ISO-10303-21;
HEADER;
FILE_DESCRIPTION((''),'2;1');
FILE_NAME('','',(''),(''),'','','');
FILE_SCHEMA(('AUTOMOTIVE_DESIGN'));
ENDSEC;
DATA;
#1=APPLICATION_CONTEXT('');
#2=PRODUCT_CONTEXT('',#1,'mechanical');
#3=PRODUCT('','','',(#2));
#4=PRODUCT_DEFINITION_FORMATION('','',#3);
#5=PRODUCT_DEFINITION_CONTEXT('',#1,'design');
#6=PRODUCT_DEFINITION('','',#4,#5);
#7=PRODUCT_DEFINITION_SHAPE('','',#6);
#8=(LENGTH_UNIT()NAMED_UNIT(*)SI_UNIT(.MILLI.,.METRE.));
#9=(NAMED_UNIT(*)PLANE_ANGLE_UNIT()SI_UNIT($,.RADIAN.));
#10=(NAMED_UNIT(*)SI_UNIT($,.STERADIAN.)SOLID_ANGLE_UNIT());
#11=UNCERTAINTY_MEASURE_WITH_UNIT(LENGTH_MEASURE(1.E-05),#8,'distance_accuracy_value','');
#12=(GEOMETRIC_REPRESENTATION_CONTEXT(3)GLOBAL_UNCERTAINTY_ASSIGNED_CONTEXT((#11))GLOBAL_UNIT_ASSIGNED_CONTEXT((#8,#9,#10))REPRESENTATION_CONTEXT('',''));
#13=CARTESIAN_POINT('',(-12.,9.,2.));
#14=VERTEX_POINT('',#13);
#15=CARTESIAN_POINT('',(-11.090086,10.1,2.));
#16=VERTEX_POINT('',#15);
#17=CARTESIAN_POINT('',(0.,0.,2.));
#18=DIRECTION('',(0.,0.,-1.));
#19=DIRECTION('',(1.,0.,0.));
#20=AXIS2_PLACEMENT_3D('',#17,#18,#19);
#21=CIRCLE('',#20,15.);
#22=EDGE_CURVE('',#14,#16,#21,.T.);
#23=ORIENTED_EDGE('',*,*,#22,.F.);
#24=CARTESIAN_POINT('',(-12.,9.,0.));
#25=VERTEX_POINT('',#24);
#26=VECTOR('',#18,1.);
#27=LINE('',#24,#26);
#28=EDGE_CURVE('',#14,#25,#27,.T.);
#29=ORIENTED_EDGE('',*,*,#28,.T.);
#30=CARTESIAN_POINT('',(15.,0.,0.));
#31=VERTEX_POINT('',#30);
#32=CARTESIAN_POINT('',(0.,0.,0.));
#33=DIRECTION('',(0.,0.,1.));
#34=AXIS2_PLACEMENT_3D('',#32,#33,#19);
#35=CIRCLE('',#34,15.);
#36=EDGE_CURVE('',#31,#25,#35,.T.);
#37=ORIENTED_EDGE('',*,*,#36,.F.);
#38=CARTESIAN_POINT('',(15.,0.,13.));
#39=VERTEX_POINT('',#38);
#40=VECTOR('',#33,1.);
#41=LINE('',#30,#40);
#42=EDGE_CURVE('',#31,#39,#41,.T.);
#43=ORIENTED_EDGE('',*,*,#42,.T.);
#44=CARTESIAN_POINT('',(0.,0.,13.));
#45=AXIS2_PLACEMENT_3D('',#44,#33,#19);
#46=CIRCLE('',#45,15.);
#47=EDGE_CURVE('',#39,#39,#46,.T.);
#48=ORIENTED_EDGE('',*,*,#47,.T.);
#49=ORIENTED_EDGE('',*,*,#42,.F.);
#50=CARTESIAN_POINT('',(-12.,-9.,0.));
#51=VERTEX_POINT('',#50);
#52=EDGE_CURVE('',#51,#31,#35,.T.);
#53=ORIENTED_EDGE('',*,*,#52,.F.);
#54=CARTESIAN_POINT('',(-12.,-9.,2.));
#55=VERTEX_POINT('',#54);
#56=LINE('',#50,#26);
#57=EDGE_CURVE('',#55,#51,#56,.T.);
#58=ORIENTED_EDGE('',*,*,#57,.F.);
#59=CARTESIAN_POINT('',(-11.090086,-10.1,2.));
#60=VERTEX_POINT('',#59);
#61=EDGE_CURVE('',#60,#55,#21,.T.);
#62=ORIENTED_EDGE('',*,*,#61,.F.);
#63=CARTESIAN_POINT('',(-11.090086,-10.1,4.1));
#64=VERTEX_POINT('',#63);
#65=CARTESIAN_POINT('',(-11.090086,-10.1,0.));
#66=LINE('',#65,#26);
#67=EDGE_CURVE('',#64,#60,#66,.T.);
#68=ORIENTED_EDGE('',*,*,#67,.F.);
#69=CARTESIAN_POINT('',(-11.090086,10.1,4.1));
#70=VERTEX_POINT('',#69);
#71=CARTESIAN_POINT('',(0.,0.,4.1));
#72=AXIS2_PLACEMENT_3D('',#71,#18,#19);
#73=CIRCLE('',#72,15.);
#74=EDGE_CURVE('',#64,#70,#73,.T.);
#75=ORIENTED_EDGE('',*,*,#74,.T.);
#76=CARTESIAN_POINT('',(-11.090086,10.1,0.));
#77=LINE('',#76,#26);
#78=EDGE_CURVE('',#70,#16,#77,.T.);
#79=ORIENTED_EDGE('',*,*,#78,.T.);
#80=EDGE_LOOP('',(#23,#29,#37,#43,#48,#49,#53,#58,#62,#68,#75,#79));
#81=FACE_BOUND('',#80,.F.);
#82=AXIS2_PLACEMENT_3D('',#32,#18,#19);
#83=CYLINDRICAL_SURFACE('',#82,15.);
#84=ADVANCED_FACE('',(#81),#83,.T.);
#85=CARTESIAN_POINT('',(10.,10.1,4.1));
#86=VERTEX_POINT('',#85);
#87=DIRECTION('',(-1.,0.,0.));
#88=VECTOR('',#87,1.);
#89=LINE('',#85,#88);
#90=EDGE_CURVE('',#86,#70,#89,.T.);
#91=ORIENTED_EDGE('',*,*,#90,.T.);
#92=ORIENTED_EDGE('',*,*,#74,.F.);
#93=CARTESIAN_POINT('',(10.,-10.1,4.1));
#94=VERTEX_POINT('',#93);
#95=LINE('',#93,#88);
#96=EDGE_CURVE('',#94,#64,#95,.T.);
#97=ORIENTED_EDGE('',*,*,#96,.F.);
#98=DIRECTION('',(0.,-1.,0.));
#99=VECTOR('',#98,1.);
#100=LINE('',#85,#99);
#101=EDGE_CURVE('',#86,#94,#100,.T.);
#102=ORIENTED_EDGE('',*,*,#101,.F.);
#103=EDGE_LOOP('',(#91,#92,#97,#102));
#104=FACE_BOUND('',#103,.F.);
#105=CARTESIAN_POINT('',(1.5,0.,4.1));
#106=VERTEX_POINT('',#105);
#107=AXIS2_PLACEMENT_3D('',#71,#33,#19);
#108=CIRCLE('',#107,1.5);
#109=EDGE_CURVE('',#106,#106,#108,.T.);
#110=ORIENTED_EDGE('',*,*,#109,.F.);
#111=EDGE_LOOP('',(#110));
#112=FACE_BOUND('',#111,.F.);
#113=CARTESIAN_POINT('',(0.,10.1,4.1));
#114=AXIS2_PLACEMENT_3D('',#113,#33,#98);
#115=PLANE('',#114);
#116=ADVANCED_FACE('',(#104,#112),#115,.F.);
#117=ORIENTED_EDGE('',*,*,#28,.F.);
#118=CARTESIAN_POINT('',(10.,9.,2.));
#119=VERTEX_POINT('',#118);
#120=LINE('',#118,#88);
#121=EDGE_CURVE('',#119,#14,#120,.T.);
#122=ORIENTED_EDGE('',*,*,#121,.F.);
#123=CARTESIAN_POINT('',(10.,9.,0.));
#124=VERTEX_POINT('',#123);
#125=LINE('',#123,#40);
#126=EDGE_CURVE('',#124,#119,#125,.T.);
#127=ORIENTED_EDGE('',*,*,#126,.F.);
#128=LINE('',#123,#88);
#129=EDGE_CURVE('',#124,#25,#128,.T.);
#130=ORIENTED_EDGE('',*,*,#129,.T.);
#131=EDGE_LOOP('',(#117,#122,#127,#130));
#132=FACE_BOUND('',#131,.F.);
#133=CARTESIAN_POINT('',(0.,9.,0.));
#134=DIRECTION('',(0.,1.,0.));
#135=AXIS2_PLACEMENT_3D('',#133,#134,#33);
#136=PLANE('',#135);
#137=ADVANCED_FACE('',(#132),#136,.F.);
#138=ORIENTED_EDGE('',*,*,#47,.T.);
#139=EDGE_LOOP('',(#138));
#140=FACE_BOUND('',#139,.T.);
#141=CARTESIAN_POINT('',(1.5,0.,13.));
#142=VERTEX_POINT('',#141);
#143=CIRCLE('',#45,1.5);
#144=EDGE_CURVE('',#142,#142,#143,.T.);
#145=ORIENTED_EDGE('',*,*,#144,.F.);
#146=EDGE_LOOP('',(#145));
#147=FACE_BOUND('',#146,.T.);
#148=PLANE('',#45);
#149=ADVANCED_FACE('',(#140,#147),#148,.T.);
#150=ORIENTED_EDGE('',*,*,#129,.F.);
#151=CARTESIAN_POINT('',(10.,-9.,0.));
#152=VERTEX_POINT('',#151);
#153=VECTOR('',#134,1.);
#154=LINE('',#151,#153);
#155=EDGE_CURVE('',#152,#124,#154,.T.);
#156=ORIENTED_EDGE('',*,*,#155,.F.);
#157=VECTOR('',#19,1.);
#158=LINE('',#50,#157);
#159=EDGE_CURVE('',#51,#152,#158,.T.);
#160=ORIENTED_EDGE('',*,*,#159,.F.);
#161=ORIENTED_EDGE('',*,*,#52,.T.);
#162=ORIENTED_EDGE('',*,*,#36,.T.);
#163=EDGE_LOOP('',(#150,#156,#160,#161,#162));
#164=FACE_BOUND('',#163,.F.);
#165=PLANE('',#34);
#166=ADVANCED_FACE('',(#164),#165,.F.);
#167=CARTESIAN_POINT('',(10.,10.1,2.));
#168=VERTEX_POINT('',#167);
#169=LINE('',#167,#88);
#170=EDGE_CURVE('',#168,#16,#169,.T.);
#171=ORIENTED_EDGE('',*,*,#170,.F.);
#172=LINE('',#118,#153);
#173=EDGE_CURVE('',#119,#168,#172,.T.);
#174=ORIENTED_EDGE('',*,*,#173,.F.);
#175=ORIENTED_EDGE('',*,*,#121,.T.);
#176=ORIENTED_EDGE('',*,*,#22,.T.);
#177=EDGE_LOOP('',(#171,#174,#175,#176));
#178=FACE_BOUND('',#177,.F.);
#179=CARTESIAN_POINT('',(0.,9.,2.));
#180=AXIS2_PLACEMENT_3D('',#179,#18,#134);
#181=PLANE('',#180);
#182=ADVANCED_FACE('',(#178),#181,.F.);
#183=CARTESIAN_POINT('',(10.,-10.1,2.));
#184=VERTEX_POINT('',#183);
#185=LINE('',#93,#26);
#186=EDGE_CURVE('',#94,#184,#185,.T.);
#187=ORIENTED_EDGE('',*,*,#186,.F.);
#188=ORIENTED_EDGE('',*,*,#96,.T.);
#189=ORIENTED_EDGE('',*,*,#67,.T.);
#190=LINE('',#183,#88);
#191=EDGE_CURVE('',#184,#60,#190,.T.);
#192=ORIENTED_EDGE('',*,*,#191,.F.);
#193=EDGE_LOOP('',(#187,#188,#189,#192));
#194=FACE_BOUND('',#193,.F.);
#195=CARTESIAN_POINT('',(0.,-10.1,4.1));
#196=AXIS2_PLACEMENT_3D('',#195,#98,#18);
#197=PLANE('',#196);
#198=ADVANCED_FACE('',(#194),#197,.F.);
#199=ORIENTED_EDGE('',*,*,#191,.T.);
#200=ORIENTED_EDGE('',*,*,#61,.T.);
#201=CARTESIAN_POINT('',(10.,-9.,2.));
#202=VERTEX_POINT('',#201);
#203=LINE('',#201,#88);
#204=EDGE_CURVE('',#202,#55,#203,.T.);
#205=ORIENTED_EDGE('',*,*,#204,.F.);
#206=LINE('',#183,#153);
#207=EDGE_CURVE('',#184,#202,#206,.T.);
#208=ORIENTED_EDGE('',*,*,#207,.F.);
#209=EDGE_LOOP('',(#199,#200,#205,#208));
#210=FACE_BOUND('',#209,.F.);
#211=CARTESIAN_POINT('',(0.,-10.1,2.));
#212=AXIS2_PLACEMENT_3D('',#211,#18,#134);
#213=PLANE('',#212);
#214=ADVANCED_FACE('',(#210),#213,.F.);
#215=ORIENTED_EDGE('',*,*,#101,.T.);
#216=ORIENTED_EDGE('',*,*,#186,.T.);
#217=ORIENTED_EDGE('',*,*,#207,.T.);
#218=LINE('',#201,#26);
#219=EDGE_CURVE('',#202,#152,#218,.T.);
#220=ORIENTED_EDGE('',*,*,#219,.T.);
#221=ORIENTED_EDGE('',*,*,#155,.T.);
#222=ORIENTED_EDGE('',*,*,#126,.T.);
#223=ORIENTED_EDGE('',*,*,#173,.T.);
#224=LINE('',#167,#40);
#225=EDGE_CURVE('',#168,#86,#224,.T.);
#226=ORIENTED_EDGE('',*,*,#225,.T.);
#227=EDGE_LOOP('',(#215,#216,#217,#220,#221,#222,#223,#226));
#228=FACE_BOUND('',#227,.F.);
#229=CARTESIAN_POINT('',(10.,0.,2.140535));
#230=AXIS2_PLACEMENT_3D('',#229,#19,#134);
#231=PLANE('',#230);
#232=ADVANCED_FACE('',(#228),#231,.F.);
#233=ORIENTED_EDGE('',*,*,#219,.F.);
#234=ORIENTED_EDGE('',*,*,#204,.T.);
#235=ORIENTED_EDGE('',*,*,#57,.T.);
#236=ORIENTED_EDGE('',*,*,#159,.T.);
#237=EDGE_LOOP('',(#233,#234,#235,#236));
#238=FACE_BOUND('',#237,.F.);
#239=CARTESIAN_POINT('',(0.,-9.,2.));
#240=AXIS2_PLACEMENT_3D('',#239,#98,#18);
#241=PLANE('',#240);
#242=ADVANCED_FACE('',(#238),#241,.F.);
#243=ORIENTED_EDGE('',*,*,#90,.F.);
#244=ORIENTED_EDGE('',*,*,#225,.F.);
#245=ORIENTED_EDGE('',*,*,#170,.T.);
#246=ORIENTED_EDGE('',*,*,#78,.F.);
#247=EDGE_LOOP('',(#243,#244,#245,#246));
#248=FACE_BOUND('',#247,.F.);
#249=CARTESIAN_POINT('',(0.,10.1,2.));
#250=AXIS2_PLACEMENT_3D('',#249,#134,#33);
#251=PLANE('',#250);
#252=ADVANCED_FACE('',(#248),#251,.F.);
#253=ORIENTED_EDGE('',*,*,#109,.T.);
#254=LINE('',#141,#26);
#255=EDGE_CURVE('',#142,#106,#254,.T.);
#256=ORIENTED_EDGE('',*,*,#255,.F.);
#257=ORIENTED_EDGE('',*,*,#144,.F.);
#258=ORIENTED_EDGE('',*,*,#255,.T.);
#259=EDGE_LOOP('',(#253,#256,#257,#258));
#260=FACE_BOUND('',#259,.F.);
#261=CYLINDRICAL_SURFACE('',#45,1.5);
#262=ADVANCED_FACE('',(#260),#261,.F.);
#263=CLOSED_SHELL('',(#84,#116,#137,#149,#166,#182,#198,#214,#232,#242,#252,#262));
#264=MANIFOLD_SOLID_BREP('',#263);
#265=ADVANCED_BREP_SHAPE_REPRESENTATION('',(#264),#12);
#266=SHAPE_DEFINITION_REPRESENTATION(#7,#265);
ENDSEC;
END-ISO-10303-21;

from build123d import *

# Parameters (mm, degrees)
F0_R          = 15
F1_DEPTH      = 13
F3_DEPTH      = 25
F3_DEPTH_BACK = 10
F4_R          = 1.5
F5_DEPTH      = 13.001


with BuildPart() as f1:
    # F0 (on Top) → F1 (new body)
    with BuildSketch(Plane.XY):
        Circle(F0_R)
    extrude(amount=F1_DEPTH)

    # F2 (on Right) → F3 (cut, two sides)
    with BuildSketch(Plane.YZ) as f3_sk:
        Polygon((-9, 2), (-9, 0), (9, 0), (9, 2), (10.1, 2), (10.1, 4.1), (-10.1, 4.1), (-10.1, 2), align=None)
    extrude(amount=-F3_DEPTH, mode=Mode.SUBTRACT)
    extrude(f3_sk.sketch, amount=F3_DEPTH_BACK, mode=Mode.SUBTRACT)

    # F4 (on face) → F5 (cut, through all)
    with BuildSketch(Plane.XY.offset(13)):
        Circle(F4_R)
    extrude(amount=-F5_DEPTH, mode=Mode.SUBTRACT)


solid = f1.part
